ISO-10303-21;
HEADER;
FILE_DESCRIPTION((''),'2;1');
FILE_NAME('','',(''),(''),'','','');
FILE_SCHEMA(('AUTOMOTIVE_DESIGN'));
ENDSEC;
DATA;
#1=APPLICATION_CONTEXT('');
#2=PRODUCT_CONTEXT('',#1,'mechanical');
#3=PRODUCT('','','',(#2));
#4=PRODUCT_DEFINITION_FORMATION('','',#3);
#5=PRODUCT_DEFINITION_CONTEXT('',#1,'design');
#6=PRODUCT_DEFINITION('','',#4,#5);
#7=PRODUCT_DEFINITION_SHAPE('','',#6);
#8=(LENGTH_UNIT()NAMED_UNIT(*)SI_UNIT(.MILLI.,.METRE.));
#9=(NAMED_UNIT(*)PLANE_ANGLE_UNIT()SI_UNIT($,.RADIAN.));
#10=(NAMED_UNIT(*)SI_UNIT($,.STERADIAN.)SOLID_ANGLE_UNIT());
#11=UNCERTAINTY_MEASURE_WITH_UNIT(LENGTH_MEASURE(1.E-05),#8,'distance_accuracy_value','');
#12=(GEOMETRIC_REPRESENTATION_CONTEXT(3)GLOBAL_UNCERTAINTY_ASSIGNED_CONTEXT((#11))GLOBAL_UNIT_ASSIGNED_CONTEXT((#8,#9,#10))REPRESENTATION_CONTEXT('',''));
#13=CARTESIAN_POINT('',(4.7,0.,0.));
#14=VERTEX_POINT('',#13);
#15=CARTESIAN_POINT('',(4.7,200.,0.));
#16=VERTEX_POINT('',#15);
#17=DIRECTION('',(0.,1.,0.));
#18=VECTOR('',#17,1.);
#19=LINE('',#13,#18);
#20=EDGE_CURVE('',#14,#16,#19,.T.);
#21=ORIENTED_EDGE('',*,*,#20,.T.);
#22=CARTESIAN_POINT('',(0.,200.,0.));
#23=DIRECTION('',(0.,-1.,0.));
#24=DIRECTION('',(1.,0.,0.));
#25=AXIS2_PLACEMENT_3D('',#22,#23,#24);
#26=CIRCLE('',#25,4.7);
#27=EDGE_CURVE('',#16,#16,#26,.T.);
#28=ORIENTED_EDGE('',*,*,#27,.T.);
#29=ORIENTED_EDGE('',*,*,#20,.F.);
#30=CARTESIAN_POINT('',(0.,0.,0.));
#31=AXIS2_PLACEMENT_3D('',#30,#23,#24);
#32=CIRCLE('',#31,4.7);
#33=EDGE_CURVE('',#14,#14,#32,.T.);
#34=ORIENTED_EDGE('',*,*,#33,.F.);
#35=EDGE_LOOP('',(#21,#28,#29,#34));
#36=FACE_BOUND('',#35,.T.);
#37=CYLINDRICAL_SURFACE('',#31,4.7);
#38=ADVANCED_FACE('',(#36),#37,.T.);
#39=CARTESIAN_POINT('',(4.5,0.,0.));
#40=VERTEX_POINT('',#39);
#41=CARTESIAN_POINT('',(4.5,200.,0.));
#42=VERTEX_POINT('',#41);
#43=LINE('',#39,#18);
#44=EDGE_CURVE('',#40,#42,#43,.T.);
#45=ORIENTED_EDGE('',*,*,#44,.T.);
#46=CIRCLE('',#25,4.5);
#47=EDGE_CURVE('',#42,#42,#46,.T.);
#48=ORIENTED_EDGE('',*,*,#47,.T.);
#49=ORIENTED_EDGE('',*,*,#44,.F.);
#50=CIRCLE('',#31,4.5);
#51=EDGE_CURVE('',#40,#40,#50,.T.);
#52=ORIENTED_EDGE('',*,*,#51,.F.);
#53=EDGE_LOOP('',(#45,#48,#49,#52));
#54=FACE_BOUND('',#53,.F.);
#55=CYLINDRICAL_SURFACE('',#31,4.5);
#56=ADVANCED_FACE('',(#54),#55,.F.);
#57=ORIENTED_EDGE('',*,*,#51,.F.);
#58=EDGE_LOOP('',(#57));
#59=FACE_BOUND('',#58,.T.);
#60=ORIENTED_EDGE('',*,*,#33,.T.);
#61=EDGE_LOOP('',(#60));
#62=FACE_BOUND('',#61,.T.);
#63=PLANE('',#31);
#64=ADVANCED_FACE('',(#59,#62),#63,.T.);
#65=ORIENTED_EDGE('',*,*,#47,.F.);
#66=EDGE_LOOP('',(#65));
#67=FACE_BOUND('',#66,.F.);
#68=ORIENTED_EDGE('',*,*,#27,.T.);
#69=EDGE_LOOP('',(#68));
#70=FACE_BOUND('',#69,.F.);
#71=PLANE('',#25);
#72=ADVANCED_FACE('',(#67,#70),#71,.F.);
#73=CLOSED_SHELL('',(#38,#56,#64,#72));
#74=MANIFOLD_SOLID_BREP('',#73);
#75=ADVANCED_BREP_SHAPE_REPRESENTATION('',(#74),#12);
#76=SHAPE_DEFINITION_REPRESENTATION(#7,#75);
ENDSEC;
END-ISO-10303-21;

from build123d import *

# Parameters (mm, degrees)
F0_R     = 4.7
F0_R_2   = 4.5
F1_DEPTH = 200


with BuildPart() as f1:
    # F0 (on Front) → F1 (new body)
    with BuildSketch(Plane.XZ):
        Circle(F0_R)
        Circle(F0_R_2, mode=Mode.SUBTRACT)
    extrude(amount=-F1_DEPTH)


with BuildPart() as f3_1:
    # F3: instance of F1
    add(f1.part.mirror(Plane.YZ.offset(-15)))


solid = f1.part
